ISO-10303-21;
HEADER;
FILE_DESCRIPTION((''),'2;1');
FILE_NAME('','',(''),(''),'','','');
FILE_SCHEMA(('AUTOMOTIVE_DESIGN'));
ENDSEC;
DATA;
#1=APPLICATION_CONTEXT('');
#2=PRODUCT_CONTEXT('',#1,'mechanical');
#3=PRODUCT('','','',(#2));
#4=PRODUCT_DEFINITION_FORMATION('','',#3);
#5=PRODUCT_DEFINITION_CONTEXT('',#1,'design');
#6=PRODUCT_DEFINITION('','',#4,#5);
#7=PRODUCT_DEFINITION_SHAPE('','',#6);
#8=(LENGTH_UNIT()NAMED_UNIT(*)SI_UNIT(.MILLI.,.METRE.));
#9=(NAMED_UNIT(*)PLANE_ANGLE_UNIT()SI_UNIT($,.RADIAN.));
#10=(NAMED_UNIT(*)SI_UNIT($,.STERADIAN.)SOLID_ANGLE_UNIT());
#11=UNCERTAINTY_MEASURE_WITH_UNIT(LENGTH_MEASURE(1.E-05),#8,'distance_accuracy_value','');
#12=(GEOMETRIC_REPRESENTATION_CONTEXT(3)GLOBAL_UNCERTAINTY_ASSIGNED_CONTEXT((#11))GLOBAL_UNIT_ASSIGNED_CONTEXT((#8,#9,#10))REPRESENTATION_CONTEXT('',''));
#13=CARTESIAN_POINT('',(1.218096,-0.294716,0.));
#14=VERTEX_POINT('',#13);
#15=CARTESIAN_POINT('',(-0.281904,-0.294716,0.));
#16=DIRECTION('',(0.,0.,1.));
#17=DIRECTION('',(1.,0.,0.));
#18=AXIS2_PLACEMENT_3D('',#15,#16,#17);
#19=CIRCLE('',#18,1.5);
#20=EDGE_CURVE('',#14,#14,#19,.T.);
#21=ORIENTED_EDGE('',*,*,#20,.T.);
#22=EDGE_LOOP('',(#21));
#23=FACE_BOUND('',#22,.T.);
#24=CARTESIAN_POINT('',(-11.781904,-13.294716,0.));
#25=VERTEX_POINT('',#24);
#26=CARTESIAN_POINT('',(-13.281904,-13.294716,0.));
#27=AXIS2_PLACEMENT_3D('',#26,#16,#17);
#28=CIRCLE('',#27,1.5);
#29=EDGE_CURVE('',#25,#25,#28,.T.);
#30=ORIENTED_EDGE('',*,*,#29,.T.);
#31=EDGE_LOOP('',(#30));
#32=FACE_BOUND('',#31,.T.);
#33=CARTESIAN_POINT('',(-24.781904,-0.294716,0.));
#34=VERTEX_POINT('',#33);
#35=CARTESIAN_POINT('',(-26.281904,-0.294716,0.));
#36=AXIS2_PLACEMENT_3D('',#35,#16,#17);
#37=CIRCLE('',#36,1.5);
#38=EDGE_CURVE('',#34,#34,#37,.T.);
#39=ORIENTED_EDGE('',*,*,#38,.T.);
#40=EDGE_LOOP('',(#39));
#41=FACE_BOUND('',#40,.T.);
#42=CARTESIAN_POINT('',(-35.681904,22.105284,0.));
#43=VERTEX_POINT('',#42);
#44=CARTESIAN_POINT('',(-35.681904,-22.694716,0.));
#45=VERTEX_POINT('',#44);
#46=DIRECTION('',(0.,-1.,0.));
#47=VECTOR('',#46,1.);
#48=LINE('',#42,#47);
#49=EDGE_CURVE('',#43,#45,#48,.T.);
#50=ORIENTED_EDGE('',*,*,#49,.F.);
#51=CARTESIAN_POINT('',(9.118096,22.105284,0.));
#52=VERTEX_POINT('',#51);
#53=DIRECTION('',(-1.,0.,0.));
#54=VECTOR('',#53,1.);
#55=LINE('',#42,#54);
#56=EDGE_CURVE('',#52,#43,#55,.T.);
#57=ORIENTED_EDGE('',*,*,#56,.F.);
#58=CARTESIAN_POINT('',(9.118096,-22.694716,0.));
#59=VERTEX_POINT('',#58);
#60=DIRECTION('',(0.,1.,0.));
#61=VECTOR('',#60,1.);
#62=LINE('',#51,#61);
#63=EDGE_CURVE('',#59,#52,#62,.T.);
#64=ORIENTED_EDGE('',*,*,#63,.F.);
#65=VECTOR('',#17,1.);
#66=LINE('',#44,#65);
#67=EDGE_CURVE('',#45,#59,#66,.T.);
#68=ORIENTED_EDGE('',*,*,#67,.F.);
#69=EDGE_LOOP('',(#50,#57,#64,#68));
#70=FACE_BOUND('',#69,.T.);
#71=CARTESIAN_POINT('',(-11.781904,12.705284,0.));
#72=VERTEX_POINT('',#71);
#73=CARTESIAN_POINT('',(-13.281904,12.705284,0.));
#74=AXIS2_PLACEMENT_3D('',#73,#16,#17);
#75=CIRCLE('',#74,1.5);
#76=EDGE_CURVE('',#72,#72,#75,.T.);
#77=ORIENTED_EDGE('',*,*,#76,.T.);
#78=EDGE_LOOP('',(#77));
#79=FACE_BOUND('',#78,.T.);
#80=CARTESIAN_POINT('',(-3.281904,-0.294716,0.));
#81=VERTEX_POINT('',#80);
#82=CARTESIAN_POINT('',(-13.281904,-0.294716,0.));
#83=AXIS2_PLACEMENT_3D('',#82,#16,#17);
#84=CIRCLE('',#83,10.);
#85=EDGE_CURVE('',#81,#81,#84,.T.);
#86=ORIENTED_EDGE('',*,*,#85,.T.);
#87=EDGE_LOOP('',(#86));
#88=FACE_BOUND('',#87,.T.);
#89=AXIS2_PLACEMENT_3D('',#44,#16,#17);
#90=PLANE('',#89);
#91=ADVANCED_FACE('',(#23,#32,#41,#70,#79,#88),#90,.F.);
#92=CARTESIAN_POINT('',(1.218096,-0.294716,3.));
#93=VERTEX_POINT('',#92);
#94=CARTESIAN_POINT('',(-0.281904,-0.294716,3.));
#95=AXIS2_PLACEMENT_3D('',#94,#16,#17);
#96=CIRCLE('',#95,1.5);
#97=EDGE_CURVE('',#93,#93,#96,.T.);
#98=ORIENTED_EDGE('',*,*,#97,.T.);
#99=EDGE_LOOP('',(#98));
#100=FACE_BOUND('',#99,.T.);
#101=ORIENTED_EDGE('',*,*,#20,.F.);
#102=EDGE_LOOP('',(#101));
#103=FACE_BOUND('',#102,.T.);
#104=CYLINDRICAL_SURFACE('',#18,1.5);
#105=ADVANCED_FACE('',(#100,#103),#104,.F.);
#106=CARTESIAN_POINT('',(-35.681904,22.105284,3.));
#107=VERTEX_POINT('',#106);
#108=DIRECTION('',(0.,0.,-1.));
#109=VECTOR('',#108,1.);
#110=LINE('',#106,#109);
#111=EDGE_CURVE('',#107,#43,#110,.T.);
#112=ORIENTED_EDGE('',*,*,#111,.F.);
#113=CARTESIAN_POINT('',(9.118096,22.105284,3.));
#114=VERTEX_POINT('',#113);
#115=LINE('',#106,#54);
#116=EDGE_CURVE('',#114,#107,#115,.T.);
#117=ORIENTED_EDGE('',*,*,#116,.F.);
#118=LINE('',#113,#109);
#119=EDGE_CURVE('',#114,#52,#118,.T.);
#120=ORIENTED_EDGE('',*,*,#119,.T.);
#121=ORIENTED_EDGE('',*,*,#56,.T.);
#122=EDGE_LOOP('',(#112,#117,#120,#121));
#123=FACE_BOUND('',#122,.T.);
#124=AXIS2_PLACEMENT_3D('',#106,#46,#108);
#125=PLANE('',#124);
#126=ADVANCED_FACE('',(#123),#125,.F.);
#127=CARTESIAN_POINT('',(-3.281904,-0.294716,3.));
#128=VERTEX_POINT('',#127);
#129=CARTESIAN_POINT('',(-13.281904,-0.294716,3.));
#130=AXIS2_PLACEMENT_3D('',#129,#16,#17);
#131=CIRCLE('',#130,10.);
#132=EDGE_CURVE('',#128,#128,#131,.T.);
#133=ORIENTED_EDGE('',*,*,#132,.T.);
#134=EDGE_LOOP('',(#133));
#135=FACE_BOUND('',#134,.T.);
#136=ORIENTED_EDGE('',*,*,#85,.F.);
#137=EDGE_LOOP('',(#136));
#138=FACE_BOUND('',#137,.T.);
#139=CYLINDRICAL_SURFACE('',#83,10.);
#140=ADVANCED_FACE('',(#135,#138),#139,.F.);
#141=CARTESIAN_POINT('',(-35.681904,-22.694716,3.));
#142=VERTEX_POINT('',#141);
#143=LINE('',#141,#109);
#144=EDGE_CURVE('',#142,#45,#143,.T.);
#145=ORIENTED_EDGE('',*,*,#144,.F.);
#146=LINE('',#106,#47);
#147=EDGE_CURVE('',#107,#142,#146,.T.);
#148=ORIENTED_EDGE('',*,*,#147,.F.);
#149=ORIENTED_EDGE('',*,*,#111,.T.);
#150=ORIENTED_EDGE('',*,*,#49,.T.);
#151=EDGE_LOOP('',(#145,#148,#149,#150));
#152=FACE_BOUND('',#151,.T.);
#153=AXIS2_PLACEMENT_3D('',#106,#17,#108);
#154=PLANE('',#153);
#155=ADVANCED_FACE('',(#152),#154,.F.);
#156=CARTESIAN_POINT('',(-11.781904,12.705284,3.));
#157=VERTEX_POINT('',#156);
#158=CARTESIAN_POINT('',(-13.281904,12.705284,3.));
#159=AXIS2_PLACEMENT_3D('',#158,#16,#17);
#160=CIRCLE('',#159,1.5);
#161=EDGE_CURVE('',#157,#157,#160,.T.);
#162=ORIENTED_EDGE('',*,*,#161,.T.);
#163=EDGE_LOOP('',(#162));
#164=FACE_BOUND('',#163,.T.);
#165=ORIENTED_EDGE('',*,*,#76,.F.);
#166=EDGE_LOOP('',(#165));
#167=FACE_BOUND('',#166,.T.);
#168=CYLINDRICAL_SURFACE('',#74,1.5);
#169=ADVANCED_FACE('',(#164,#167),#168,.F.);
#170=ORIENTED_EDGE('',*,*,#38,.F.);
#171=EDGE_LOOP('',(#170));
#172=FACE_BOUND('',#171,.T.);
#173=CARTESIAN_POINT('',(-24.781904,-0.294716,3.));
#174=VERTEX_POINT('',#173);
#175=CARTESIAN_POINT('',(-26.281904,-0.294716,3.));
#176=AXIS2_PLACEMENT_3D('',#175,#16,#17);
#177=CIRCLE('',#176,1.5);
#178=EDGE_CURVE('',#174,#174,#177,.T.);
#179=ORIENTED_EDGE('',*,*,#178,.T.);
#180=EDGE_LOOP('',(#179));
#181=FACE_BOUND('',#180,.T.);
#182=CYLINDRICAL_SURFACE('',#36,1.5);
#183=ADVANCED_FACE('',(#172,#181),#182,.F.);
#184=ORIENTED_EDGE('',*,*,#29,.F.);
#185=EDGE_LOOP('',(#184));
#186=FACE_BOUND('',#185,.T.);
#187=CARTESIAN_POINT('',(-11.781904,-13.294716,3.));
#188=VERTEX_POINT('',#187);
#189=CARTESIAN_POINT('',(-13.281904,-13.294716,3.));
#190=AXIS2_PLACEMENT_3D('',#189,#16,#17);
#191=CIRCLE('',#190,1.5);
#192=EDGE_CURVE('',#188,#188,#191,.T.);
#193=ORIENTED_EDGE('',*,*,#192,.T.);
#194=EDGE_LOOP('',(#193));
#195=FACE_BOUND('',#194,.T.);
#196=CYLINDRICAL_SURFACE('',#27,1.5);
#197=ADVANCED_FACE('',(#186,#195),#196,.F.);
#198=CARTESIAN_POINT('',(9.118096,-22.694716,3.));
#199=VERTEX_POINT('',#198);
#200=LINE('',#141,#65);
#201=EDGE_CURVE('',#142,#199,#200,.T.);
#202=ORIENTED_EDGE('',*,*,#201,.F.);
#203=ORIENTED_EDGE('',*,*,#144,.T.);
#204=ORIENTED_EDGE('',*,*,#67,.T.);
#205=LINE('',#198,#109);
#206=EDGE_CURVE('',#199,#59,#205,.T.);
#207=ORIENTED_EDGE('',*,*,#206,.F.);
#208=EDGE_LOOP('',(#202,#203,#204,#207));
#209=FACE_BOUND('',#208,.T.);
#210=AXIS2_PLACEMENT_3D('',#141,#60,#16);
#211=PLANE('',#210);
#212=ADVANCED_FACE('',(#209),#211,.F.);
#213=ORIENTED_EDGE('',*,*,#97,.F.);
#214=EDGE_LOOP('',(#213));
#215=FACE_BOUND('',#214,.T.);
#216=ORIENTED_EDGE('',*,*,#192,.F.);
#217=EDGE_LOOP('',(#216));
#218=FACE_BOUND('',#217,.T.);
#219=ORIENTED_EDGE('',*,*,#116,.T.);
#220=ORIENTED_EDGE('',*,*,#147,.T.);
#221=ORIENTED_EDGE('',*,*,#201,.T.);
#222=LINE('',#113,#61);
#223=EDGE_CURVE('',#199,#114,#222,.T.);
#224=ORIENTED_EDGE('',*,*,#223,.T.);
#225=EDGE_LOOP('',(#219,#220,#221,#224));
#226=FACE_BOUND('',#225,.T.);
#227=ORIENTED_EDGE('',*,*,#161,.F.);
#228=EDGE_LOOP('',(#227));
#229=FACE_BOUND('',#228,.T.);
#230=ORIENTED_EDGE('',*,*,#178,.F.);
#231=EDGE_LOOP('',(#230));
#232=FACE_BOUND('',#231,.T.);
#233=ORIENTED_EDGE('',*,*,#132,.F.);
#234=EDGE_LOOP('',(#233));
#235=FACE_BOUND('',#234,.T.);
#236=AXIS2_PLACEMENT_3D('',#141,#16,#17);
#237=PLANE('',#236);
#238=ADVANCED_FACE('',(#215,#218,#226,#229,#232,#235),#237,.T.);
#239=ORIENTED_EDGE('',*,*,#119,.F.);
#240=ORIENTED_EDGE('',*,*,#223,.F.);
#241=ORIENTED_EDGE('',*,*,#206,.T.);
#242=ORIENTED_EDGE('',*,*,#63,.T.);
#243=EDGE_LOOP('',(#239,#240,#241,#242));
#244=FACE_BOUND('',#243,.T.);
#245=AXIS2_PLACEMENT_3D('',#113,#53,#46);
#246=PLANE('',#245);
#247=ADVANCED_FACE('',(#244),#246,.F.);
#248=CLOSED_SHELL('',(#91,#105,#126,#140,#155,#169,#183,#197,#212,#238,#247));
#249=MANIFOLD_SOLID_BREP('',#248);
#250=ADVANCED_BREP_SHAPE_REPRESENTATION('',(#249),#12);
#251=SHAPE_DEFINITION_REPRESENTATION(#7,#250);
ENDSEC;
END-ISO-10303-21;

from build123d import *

# Parameters (mm, degrees)
ESQUISSE1_W             = 44.8
ESQUISSE1_H             = 44.8
BOSS_EXTRU_1_DEPTH      = 3
ESQUISSE2_R             = 1.5
ESQUISSE2_R_2           = 10
ENL_V_MAT_EXTRU_1_DEPTH = 3


with BuildPart() as part:
    # Esquisse1 → Boss.-Extru.1 (new body)
    with BuildSketch(Plane.XY):
        with Locations((-13.281904392, -0.294716352)):
            Rectangle(ESQUISSE1_W, ESQUISSE1_H)
    extrude(amount=BOSS_EXTRU_1_DEPTH)

    # Esquisse2 → Enlèv. mat.-Extru.1 (cut)
    with BuildSketch(Plane.XY.offset(3)):
        with Locations((-13.281904392, 12.705283648)):
            Circle(ESQUISSE2_R)
        with Locations((-0.281904392, -0.294716352)):
            Circle(ESQUISSE2_R)
        with Locations((-13.281904392, -13.294716352)):
            Circle(ESQUISSE2_R)
        with Locations((-26.281904392, -0.294716352)):
            Circle(ESQUISSE2_R)
        with Locations((-13.281904392, -0.294716352)):
            Circle(ESQUISSE2_R_2)
    extrude(amount=-ENL_V_MAT_EXTRU_1_DEPTH, mode=Mode.SUBTRACT)


solid = part.part
